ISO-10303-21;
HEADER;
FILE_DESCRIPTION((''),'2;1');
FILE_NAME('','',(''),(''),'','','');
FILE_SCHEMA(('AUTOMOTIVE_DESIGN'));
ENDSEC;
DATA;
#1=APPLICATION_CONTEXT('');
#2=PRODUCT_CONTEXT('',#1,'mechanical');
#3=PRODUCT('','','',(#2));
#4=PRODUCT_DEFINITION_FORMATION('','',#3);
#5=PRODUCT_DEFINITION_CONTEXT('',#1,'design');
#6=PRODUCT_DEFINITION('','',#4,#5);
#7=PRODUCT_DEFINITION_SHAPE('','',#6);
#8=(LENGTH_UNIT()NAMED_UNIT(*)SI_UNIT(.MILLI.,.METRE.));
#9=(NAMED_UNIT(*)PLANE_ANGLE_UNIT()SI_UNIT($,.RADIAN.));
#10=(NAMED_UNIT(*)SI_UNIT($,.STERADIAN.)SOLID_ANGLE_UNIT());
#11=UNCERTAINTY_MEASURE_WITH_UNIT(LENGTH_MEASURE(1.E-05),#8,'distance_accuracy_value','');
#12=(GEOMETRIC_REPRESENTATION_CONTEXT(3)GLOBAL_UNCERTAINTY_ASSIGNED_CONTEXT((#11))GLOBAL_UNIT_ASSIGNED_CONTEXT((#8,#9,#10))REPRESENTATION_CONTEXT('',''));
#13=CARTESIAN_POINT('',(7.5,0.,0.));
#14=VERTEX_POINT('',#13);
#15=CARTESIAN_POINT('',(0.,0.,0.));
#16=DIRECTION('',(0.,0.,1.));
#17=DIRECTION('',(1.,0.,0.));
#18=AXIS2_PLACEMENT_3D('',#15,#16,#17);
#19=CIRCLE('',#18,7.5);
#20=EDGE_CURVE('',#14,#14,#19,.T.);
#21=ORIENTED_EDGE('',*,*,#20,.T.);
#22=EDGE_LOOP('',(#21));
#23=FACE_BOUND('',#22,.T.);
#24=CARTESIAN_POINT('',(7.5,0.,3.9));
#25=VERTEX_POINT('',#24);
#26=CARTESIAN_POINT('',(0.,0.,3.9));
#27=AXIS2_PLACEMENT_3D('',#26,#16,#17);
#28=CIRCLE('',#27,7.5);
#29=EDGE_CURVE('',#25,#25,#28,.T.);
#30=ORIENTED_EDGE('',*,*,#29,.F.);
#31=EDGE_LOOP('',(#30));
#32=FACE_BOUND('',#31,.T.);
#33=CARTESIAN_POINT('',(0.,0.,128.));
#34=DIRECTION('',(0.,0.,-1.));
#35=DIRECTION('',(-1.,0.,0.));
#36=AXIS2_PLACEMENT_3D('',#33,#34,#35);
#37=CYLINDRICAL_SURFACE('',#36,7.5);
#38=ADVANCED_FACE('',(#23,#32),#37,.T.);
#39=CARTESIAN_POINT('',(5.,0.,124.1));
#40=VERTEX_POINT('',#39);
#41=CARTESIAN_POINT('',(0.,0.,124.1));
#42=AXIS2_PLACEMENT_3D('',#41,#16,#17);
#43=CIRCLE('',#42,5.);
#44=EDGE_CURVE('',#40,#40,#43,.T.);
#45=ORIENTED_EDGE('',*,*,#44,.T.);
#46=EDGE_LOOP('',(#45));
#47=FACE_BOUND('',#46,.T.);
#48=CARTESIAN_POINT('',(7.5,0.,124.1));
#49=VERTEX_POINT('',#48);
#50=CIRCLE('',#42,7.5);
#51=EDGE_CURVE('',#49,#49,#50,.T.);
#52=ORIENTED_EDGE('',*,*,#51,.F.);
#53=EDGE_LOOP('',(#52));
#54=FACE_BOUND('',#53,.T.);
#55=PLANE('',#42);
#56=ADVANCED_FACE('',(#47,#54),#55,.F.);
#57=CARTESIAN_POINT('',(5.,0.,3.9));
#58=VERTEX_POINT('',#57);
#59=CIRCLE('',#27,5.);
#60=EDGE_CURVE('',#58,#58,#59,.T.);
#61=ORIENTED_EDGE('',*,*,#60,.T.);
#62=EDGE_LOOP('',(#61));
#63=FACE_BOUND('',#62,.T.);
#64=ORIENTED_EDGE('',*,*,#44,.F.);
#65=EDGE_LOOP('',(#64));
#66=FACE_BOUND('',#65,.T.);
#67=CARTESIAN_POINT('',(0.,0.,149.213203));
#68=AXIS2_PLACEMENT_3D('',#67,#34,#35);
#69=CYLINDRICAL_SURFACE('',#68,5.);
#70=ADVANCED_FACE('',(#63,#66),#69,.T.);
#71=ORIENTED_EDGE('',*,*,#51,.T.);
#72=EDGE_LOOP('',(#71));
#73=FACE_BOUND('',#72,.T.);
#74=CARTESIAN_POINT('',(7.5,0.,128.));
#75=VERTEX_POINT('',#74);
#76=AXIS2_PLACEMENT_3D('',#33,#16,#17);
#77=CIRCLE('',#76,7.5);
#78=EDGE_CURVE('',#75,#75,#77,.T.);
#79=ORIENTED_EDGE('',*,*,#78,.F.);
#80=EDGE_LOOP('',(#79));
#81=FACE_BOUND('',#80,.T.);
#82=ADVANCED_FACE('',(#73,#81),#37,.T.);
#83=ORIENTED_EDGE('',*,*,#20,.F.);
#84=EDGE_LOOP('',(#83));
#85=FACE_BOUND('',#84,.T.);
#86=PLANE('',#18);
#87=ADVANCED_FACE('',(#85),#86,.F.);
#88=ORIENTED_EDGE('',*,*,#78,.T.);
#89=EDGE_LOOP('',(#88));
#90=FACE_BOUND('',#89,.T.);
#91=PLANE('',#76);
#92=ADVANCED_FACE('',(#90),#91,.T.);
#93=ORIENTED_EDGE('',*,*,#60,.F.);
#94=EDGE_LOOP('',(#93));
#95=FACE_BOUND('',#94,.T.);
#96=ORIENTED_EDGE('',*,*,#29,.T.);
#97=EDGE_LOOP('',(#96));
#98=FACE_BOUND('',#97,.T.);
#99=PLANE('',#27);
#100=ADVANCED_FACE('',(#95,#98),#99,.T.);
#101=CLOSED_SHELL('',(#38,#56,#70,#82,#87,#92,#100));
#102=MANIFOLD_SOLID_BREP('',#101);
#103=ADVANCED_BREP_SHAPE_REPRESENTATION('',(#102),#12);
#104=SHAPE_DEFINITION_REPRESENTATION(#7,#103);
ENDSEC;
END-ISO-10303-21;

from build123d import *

# Parameters (mm, degrees)
SKETCH1_R           = 7.5
SKETCH1_R_2         = 5
BOSS_EXTRUDE1_DEPTH = 128
CUT_EXTRUDE1_START  = 3.9
SKETCH1_6_R         = 7.5
SKETCH1_6_R_2       = 5
CUT_EXTRUDE1_DEPTH  = 120.2


with BuildPart() as part:
    # Sketch1 → Boss-Extrude1 (new body)
    with BuildSketch(Plane.XY):
        Circle(SKETCH1_R)
        Circle(SKETCH1_R_2, mode=Mode.SUBTRACT)
        Circle(SKETCH1_R_2)
    extrude(amount=BOSS_EXTRUDE1_DEPTH)

    # Sketch1<6> → Cut-Extrude1 (cut)
    with BuildSketch(Plane.XY.offset(CUT_EXTRUDE1_START)):
        Circle(SKETCH1_6_R)
        Circle(SKETCH1_6_R_2, mode=Mode.SUBTRACT)
    extrude(amount=CUT_EXTRUDE1_DEPTH, mode=Mode.SUBTRACT)


solid = part.part
